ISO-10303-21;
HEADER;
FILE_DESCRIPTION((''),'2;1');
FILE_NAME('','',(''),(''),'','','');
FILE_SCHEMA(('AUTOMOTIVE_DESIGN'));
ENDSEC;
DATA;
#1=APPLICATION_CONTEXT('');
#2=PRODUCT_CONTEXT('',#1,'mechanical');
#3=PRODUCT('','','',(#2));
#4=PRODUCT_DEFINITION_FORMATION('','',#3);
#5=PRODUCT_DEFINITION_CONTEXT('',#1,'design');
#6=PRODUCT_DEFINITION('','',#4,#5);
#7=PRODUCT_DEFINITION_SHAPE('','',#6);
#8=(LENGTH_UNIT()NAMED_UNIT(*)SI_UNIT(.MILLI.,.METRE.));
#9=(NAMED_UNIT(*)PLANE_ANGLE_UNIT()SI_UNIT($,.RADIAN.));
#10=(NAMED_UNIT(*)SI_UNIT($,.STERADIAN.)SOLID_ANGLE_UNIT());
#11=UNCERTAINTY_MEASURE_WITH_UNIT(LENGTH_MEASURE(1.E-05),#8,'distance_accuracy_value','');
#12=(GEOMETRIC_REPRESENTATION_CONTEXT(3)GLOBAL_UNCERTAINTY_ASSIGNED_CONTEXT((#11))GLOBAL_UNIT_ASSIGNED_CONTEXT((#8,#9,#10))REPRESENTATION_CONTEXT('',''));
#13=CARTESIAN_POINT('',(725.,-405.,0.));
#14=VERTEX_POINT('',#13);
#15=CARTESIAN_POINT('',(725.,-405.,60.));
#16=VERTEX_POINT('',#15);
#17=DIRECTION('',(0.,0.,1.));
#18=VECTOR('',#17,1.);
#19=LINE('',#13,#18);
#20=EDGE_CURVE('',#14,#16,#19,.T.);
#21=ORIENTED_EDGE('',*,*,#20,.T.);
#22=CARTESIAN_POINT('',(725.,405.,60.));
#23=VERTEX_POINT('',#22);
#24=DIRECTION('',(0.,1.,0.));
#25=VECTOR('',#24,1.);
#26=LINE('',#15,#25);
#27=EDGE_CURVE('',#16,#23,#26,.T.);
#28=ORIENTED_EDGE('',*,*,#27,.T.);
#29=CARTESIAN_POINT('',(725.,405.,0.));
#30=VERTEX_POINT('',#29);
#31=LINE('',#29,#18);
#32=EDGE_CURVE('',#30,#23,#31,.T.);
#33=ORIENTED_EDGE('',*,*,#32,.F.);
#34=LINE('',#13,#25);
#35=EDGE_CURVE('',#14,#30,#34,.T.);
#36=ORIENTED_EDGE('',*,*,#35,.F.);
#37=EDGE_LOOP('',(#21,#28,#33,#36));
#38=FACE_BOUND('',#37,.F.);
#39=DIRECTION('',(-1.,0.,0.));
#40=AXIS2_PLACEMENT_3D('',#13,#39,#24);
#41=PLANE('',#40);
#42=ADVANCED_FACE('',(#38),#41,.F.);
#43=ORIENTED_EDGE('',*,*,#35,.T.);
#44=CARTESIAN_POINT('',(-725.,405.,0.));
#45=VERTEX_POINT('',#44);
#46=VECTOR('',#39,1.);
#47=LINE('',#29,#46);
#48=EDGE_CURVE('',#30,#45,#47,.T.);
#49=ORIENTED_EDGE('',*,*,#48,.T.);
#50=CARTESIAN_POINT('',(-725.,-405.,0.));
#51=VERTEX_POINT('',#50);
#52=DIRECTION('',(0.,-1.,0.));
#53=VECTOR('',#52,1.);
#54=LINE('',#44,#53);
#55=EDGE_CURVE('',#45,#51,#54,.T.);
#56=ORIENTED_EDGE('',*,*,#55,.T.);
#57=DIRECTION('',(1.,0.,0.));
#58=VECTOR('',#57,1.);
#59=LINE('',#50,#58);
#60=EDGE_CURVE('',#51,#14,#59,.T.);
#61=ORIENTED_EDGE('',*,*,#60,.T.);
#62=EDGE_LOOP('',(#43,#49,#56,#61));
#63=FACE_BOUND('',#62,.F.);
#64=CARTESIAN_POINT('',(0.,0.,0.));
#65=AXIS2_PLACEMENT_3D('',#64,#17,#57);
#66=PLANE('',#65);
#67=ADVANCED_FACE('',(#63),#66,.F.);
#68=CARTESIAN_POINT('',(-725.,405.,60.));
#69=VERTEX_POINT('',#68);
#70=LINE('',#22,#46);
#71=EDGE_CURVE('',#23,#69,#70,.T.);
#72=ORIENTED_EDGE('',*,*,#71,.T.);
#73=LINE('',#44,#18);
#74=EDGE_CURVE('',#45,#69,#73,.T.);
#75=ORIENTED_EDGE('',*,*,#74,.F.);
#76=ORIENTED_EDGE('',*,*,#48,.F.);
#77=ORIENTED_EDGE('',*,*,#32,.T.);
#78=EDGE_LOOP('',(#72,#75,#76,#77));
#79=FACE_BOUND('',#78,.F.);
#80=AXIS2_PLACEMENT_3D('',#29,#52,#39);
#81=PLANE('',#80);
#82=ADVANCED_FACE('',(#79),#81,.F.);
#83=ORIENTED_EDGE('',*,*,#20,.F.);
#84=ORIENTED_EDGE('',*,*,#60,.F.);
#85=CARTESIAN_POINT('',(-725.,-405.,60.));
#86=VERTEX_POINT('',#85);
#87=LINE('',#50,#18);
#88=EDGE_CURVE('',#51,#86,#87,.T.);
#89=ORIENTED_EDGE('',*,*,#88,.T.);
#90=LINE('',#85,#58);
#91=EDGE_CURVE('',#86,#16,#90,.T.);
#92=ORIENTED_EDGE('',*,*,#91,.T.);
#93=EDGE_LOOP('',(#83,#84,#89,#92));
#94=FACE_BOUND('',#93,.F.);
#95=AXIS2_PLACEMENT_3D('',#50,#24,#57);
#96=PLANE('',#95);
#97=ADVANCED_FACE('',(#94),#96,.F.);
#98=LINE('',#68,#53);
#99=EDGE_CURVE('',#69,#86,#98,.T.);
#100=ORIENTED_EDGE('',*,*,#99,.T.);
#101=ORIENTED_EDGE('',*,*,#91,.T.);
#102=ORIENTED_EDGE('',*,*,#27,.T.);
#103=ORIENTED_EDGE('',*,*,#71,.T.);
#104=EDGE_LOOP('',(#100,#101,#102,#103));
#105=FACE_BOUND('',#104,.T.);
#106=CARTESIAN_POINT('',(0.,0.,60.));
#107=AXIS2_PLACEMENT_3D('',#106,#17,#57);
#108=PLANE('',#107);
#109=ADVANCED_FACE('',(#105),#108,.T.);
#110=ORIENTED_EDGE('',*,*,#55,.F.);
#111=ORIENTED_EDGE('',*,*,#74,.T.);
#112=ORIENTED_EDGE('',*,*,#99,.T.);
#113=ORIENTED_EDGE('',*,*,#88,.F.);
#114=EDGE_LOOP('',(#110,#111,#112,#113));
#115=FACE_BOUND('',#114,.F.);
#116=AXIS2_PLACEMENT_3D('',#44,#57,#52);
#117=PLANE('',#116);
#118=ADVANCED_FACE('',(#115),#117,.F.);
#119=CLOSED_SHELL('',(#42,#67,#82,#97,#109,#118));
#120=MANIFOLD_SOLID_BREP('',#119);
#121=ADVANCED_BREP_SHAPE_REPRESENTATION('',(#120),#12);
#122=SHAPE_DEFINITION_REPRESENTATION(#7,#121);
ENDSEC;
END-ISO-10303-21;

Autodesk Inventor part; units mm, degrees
ref_plane "YZ Plane" through (0, 0, 0) normal (1, 0, 0) x (0, 1, 0)
ref_plane "XZ Plane" through (0, 0, 0) normal (0, 1, 0) x (-1, 0, 0)
ref_plane "XY Plane" through (0, 0, 0) normal (0, 0, 1) x (1, 0, 0)
sketch "Sketch1" plane through (0, 0, 0) normal (0, 0, 1) x (1, 0, 0)
  line L0 (-725, -405) -> (725, -405)
  line L1 (725, -405) -> (725, 405)
  line L2 (725, 405) -> (-725, 405)
  line L3 (-725, 405) -> (-725, -405)
  line L4 (-725, -405) -> (725, 405) construction
  line L5 (725, -405) -> (-725, 405) construction
  point P0 (0, 0)
  dimension "d0" = 1450
  dimension "d1" = 810
extrude "Extrusion1" add sketch "Sketch1" along normal blind 60
properties part number "TV"
